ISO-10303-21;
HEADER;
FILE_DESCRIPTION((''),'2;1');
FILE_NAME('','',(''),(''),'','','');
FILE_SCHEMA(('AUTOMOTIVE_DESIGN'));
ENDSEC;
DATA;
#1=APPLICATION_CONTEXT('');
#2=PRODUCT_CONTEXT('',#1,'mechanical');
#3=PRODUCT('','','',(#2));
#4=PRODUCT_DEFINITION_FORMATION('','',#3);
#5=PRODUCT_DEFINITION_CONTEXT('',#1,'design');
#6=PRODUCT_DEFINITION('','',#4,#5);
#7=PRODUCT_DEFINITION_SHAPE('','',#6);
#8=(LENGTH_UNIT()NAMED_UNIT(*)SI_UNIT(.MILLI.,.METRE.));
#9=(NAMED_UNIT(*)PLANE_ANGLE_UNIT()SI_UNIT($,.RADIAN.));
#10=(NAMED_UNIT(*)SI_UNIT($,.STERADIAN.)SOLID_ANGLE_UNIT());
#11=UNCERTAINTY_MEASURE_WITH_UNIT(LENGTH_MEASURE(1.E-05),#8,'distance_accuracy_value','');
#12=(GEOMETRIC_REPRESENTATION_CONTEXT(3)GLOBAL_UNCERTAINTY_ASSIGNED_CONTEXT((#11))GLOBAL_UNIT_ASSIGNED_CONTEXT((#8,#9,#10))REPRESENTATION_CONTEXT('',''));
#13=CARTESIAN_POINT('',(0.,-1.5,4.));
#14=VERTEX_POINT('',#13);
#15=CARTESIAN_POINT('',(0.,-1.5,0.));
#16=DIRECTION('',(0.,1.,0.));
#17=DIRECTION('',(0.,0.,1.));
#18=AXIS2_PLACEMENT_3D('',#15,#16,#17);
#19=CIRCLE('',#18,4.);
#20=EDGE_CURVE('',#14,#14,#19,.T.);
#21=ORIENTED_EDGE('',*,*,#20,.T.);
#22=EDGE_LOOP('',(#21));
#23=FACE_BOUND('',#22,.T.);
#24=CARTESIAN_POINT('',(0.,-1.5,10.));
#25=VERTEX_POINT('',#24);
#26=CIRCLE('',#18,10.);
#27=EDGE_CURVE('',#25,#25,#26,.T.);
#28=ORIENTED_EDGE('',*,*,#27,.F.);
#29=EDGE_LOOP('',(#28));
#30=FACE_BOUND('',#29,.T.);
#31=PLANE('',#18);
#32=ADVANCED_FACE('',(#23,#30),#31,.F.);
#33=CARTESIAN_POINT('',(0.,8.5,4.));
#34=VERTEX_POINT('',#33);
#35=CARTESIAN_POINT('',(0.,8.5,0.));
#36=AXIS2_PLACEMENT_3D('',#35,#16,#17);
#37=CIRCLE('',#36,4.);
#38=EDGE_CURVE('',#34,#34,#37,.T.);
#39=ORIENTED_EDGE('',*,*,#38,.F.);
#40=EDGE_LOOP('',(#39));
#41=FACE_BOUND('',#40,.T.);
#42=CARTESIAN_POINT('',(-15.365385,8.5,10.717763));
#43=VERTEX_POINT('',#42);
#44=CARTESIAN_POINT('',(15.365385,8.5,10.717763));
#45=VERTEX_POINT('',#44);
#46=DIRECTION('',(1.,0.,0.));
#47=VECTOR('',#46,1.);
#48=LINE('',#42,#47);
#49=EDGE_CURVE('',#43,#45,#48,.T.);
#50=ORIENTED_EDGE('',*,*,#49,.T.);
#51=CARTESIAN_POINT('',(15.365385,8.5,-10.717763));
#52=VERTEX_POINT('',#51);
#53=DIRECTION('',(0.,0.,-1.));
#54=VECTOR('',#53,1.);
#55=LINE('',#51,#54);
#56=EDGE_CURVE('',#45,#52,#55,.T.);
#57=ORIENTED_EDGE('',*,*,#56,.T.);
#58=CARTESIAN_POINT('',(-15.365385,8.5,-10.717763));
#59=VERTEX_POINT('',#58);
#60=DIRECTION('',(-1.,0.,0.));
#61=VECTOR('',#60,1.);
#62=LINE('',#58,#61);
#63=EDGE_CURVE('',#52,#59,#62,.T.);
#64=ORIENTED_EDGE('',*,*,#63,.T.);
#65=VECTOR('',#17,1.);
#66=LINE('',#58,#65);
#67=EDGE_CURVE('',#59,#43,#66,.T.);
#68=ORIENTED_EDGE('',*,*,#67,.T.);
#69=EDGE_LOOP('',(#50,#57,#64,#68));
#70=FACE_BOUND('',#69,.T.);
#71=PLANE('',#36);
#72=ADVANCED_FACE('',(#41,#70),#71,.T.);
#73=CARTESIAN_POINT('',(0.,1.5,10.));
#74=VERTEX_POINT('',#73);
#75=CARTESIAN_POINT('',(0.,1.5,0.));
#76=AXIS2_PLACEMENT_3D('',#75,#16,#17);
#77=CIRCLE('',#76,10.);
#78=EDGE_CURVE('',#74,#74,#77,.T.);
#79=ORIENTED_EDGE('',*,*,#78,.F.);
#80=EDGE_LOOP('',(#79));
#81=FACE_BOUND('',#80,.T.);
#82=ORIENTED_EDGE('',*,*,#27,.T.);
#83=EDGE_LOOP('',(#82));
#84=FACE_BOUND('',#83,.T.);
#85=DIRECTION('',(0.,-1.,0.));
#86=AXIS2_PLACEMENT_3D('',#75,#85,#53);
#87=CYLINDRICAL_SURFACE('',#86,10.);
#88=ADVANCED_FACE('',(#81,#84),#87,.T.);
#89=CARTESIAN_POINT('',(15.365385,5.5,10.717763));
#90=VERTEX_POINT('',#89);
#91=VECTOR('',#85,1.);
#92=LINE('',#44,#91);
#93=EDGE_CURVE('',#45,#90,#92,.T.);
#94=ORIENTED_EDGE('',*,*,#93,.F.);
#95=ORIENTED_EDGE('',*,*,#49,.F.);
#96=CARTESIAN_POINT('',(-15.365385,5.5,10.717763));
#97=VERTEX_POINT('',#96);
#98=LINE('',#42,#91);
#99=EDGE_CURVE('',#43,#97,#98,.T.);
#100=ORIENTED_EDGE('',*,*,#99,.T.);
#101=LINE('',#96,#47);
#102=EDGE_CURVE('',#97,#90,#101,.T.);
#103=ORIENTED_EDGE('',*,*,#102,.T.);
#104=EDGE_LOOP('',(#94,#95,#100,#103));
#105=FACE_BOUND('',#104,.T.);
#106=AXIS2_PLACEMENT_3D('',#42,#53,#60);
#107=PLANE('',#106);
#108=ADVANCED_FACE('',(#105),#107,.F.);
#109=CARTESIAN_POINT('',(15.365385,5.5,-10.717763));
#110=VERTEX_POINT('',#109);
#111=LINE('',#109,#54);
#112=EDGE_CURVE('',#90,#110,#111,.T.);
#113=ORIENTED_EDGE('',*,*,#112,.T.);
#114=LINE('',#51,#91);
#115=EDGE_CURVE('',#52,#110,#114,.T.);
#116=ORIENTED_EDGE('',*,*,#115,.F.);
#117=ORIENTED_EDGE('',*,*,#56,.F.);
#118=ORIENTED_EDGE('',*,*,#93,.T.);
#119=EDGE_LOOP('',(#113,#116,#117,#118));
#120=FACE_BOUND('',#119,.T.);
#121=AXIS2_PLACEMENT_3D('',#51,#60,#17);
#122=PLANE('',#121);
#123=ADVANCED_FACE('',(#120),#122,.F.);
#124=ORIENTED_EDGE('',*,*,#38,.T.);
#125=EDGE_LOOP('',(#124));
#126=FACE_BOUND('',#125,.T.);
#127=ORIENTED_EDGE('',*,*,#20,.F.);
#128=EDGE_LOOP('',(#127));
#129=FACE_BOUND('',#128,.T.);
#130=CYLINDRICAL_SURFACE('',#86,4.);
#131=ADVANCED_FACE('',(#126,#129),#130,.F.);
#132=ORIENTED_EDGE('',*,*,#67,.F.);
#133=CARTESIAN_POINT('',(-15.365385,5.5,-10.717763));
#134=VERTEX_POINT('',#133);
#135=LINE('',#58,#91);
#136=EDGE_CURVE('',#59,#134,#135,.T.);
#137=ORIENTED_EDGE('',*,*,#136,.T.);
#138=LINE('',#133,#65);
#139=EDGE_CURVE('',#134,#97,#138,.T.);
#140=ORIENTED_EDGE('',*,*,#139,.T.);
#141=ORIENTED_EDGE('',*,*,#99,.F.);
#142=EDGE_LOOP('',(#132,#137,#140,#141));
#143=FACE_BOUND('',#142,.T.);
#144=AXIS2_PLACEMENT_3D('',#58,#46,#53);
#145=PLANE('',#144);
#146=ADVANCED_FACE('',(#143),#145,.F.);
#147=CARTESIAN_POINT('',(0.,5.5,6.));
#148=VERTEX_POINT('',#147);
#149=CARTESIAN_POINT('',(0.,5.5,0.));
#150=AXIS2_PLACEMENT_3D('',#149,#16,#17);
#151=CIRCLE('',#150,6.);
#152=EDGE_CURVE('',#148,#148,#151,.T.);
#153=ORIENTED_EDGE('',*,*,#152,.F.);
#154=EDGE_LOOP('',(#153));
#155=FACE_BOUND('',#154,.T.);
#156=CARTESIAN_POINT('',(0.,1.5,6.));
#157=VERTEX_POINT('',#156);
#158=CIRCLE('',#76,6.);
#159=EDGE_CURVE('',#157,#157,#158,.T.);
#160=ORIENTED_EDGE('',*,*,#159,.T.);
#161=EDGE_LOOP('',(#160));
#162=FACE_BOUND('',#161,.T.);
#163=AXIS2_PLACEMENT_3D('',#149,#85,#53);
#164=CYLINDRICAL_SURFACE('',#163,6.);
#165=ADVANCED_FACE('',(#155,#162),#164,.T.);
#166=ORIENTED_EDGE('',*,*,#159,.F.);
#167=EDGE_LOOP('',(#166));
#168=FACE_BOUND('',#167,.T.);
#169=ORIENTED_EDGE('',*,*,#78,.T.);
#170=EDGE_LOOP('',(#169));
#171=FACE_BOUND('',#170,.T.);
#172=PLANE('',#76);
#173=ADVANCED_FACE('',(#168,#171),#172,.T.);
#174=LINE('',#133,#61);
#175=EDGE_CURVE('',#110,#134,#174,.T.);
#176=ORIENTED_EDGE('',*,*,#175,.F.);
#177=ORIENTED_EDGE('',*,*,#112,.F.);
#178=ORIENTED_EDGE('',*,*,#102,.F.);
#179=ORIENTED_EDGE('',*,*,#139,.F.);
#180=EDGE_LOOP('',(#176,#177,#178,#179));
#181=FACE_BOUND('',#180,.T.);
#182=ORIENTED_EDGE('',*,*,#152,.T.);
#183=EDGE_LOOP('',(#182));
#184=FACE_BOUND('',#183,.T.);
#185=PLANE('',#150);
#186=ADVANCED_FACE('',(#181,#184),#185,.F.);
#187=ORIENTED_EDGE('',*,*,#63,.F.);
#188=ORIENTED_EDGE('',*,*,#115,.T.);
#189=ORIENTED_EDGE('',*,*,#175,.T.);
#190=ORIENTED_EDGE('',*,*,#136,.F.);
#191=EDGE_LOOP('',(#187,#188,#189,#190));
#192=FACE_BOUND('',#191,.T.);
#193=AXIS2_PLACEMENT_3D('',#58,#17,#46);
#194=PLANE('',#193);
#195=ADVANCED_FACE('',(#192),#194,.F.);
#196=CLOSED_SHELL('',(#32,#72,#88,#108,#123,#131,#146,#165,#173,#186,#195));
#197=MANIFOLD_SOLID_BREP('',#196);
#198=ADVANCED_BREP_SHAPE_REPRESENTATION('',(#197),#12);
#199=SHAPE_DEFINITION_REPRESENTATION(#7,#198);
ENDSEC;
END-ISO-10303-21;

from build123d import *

# Parameters (mm, degrees)
SKETCH1_R           = 10
SKETCH1_R_2         = 4
BOSS_EXTRUDE1_DEPTH = 1.5
SKETCH2_R           = 6
SKETCH2_R_2         = 4
BOSS_EXTRUDE2_DEPTH = 4
SKETCH3_W           = 30.73076969
SKETCH3_H           = 21.435526278
SKETCH3_R           = 4
BOSS_EXTRUDE3_DEPTH = 3


with BuildPart() as part:
    # Sketch1 → Boss-Extrude1 (new body, symmetric)
    with BuildSketch(Plane(origin=(0, 0, 0), x_dir=(1, 0, 0), z_dir=(0, 1, 0))):
        Circle(SKETCH1_R)
        Circle(SKETCH1_R_2, mode=Mode.SUBTRACT)
    extrude(amount=BOSS_EXTRUDE1_DEPTH, both=True)

    # Sketch2 → Boss-Extrude2 (add)
    with BuildSketch(Plane(origin=(0, 1.5, 0), x_dir=(1, 0, 0), z_dir=(0, 1, 0))):
        Circle(SKETCH2_R)
        Circle(SKETCH2_R_2, mode=Mode.SUBTRACT)
    extrude(amount=BOSS_EXTRUDE2_DEPTH)

    # Sketch3 → Boss-Extrude3 (add)
    with BuildSketch(Plane(origin=(0, 5.5, 0), x_dir=(1, 0, 0), z_dir=(0, 1, 0))):
        Rectangle(SKETCH3_W, SKETCH3_H)
        Circle(SKETCH3_R, mode=Mode.SUBTRACT)
    extrude(amount=BOSS_EXTRUDE3_DEPTH)


solid = part.part
